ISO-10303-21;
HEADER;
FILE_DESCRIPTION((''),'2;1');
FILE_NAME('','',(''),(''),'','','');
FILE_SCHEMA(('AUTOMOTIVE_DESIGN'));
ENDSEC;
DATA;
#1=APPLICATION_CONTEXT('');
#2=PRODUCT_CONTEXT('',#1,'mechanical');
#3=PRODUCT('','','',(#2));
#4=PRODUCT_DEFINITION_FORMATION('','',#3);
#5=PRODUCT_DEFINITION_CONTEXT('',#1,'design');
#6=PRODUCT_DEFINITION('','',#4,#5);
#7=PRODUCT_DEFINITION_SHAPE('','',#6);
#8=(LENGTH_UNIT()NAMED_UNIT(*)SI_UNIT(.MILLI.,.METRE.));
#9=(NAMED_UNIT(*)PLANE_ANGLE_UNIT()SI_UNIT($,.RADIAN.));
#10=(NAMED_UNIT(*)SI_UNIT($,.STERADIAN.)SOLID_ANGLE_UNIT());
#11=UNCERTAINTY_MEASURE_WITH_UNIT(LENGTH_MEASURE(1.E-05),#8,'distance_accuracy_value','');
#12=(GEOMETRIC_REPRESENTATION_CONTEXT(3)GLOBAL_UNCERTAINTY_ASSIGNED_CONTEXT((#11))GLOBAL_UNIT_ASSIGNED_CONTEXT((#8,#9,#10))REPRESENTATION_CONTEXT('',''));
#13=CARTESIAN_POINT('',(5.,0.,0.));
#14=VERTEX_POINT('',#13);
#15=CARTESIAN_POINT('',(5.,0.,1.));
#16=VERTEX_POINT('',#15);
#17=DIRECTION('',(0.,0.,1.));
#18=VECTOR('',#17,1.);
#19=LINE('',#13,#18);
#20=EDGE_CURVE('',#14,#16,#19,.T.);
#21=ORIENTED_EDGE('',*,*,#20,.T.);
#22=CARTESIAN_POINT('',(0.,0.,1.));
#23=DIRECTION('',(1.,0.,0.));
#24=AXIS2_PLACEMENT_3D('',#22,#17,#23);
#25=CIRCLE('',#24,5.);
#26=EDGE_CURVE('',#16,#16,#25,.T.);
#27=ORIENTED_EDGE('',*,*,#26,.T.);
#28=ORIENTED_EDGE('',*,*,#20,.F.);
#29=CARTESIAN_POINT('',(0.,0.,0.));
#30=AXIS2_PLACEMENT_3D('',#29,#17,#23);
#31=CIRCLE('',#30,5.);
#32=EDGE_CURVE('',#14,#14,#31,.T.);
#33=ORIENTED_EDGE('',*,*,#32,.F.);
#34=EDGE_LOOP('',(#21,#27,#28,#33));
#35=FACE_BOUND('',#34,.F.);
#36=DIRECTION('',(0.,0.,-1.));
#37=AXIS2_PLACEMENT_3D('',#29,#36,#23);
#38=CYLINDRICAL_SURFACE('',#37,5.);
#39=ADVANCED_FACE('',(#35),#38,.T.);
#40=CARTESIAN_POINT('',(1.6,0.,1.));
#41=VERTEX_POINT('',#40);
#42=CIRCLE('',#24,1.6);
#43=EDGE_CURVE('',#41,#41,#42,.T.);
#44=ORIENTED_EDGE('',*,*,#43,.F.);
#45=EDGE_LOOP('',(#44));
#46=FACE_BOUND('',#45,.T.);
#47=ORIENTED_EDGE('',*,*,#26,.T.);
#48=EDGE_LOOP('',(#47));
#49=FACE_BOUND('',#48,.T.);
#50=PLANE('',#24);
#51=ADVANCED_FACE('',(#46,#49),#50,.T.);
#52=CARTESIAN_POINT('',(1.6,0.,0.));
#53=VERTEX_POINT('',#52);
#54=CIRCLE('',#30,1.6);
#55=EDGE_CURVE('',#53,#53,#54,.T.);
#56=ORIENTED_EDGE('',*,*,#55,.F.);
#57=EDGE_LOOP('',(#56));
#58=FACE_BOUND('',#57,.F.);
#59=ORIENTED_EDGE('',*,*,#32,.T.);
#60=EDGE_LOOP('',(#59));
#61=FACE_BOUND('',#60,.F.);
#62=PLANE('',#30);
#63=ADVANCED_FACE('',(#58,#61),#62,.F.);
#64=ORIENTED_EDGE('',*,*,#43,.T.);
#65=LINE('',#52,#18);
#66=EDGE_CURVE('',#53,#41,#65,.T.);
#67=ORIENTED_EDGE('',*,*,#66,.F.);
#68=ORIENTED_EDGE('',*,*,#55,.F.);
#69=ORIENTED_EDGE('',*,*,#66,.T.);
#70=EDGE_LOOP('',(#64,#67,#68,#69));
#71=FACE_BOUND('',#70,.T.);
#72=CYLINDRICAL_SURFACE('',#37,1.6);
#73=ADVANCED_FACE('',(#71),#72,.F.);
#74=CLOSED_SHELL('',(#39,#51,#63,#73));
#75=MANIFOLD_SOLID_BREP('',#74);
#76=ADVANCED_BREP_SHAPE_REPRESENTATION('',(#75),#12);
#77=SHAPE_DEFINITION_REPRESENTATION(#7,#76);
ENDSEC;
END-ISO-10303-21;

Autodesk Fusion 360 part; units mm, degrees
sketch "スケッチ1" plane through (0, 0, 0) normal (0, 0, 1) x (1, 0, 0)
  circle A0 centre (0, 0) radius 1.6
  circle A1 centre (0, 0) radius 5
  dimension "d1" = 3.2
  dimension "d2" = 10
extrude "押し出し1" add sketch "スケッチ1" along normal blind 1
